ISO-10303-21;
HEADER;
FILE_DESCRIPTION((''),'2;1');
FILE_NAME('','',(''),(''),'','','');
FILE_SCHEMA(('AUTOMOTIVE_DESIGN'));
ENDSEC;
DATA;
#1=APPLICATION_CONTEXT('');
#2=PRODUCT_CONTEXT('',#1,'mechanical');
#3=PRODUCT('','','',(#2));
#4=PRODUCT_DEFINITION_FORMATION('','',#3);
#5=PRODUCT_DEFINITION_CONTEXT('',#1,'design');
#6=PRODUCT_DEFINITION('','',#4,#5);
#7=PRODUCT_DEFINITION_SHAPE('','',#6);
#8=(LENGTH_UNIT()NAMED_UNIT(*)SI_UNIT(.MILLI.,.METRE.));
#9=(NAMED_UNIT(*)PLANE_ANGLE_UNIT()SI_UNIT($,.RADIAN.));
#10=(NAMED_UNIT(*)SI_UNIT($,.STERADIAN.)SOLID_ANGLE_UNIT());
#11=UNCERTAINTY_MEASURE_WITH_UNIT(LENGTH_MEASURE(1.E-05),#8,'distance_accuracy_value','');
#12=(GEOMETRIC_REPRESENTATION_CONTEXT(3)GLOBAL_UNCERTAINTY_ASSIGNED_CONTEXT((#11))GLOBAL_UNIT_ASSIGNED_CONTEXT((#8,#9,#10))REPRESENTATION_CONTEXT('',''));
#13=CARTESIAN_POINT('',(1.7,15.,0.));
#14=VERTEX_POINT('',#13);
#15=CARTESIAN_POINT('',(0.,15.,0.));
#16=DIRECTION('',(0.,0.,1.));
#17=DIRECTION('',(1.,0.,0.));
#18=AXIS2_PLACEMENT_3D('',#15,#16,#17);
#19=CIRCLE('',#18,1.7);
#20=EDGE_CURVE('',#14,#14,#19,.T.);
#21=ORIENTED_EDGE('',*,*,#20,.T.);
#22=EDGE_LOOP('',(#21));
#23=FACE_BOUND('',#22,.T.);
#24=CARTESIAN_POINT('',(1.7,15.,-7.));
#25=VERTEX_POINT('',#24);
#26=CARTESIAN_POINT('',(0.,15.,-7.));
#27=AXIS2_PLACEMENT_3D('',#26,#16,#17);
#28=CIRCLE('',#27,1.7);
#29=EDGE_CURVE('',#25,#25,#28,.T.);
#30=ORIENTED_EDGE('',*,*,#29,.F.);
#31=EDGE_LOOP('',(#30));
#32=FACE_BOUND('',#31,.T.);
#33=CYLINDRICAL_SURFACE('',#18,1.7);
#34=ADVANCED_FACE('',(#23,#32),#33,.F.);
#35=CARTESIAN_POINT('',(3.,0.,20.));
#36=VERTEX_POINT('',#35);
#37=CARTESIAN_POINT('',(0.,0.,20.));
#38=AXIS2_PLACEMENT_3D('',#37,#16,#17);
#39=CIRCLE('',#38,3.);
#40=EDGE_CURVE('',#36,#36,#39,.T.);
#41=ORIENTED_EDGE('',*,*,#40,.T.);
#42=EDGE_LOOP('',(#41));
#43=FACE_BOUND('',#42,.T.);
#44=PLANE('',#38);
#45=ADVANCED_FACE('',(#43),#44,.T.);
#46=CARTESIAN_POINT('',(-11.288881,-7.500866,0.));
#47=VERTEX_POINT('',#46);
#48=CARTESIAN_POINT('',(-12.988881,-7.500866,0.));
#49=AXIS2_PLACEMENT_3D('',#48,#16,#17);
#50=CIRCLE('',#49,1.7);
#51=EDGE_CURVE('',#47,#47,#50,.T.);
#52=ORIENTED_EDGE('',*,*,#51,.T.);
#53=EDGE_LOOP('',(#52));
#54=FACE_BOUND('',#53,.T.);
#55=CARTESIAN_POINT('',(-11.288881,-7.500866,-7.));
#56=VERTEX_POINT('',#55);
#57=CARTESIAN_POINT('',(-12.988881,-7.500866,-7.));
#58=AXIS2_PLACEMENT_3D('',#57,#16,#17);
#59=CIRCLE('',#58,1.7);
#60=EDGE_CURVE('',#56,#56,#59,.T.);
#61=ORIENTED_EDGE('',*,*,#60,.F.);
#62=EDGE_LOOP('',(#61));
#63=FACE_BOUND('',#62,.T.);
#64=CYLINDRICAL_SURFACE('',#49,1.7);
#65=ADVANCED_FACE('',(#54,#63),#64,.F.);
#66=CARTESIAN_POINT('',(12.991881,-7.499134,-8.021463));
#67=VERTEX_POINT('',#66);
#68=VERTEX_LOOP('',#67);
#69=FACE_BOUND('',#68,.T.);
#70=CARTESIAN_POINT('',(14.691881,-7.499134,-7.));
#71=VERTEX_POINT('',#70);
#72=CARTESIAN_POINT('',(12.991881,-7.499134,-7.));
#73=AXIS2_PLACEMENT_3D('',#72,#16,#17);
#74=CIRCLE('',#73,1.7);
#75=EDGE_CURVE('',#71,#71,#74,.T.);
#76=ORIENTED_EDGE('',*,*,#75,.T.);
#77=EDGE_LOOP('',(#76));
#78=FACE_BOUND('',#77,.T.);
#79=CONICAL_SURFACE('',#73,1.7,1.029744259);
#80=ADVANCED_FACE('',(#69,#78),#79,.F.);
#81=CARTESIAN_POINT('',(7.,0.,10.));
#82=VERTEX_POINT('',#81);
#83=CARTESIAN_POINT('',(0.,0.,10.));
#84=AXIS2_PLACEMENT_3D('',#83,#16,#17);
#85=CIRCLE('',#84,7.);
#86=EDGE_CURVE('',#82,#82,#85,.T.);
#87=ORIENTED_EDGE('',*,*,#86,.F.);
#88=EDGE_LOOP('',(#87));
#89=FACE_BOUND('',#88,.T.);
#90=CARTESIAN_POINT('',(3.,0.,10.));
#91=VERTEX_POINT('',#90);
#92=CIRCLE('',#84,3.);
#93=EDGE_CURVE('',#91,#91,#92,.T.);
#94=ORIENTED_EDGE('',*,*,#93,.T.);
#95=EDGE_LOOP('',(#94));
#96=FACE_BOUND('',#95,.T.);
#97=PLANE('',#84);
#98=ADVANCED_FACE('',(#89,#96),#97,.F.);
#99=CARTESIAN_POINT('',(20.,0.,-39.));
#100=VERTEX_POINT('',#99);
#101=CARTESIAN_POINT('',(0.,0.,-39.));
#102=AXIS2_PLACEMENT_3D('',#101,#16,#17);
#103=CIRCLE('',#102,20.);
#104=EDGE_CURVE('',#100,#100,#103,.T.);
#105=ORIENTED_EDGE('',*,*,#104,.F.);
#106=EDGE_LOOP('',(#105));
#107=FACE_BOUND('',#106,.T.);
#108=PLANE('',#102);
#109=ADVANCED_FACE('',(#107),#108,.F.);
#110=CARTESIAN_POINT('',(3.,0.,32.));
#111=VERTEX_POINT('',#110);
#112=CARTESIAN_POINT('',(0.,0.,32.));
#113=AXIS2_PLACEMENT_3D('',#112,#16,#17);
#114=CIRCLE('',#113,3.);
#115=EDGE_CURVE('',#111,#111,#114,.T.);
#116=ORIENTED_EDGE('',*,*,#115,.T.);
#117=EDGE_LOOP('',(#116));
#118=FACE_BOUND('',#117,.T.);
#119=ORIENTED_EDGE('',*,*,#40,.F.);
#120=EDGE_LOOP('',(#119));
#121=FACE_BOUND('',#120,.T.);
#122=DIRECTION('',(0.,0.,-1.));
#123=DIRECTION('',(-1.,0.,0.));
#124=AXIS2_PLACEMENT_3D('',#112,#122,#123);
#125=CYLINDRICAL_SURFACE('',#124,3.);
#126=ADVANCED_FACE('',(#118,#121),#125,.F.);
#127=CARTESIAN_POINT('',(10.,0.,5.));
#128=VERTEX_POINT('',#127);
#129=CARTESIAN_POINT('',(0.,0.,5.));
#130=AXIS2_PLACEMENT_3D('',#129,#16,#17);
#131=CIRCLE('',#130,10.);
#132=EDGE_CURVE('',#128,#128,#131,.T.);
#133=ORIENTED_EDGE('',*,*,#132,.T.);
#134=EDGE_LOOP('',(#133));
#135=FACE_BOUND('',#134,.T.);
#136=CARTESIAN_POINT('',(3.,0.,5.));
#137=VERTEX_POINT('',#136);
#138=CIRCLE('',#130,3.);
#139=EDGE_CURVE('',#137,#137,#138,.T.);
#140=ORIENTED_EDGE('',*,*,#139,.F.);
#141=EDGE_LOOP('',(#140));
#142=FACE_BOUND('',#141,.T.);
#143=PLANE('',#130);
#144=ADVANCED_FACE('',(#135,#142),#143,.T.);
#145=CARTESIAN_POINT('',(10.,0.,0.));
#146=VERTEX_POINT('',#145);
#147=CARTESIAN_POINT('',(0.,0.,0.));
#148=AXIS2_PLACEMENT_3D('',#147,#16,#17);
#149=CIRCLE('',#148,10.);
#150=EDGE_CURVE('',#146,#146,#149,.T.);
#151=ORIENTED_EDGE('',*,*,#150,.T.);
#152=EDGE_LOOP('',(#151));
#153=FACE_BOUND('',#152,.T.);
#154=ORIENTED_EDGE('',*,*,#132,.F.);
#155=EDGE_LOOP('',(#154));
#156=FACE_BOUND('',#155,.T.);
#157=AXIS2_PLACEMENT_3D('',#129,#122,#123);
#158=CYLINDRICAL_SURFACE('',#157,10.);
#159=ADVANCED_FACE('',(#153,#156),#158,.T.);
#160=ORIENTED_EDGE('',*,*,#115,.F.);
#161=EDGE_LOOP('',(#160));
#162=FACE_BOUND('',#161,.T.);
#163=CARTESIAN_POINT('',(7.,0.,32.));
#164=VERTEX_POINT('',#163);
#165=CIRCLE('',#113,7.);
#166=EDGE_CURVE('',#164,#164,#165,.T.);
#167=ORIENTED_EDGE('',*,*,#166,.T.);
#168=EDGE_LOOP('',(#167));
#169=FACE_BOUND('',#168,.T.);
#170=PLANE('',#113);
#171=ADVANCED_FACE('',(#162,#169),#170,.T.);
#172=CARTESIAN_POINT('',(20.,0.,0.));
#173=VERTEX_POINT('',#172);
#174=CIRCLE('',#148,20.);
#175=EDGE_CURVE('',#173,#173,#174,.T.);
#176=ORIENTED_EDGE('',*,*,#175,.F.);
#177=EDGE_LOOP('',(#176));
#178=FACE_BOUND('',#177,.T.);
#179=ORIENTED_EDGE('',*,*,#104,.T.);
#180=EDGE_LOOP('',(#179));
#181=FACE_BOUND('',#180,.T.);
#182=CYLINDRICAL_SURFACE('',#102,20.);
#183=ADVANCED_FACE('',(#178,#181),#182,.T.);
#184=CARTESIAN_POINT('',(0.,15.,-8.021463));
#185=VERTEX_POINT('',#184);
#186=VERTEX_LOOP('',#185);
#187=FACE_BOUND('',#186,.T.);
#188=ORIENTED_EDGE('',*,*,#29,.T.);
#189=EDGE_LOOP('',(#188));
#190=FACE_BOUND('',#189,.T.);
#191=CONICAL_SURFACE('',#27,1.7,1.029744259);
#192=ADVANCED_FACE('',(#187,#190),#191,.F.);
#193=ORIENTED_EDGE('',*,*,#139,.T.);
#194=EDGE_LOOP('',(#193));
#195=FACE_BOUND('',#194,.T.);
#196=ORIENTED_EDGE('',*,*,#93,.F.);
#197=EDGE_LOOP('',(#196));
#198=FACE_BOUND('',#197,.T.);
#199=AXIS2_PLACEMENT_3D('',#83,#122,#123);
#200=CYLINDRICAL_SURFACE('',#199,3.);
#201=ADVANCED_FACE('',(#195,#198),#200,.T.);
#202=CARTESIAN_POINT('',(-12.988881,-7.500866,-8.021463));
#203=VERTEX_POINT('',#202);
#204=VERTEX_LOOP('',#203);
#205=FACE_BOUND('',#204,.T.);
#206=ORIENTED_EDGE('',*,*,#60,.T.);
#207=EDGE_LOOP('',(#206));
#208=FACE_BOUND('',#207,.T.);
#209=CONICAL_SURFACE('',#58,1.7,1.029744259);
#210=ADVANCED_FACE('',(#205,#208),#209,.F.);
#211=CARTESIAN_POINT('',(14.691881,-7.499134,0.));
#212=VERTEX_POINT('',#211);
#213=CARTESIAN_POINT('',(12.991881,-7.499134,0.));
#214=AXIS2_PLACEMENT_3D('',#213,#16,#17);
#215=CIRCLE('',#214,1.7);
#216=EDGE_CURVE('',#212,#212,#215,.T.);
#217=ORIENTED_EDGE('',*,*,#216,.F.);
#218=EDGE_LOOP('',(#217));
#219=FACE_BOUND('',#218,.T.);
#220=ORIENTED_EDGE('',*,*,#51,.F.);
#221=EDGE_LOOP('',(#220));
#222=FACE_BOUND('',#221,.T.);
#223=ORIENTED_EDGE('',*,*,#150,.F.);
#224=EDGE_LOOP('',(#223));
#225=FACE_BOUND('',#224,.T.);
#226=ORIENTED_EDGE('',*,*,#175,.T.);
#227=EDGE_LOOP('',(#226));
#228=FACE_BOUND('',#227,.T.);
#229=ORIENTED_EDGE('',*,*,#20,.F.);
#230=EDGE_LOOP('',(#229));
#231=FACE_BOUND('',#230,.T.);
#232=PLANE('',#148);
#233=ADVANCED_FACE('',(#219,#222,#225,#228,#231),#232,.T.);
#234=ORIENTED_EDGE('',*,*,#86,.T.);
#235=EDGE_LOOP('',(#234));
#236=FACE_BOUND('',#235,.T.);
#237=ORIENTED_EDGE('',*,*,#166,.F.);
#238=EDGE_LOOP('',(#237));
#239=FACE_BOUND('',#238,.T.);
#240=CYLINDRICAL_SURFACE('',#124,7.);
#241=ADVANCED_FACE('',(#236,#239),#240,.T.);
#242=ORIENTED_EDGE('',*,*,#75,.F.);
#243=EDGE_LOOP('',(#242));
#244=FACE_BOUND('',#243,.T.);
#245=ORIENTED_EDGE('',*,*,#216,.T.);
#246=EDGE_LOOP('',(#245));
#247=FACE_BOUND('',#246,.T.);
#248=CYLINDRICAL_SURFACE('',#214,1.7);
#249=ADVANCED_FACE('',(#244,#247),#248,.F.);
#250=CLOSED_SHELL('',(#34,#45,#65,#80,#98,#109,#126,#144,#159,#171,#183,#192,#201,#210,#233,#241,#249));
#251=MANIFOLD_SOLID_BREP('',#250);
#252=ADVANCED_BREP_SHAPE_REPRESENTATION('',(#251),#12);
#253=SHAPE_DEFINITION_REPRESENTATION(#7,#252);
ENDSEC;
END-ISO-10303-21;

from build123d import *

# Parameters (mm, degrees)
SKETCH1_R                = 20
BOSS_EXTRUDE1_DEPTH      = 39
SKETCH2_R                = 10
BOSS_EXTRUDE2_DEPTH      = 5
SKETCH7_R                = 3
BOSS_EXTRUDE3_DEPTH      = 5
BOSS_EXTRUDE4_DEPTH      = 10
M3_CLEARANCE_HOLE2_D     = 3.4
M3_CLEARANCE_HOLE2_DEPTH = 7
M3_CLEARANCE_HOLE2_TIP   = 1.021463052
SKETCH15_R               = 7
BOSS_EXTRUDE9_DEPTH      = 22
CUT_EXTRUDE3_START       = -12
SKETCH18_R               = 3
CUT_EXTRUDE3_DEPTH       = 12


with BuildPart() as part:
    # Sketch1 → Boss-Extrude1 (new body)
    with BuildSketch(Plane.XY):
        Circle(SKETCH1_R)
    extrude(amount=-BOSS_EXTRUDE1_DEPTH)

    # Sketch2 → Boss-Extrude2 (add)
    with BuildSketch(Plane.XY):
        Circle(SKETCH2_R)
    extrude(amount=BOSS_EXTRUDE2_DEPTH)

    # Sketch7 → Boss-Extrude3 (add)
    with BuildSketch(Plane.XY.offset(5)):
        Circle(SKETCH7_R)
    extrude(amount=BOSS_EXTRUDE3_DEPTH)

    # Sketch9 → Boss-Extrude4 (add)
    with BuildSketch(Plane.XY.offset(10)):
        with BuildLine():
            Line((-2.236067977, 2), (2.236067977, 2))
            ThreePointArc((2.236067977, 2), (0, -3), (-2.236067977, 2))
        make_face()
    extrude(amount=BOSS_EXTRUDE4_DEPTH)

    # M3 Clearance Hole2
    with Locations(Plane.XY):
        with Locations((0, 15), (12.991881057, -7.499133975), (-12.988881057, -7.500866025)):
            Hole(M3_CLEARANCE_HOLE2_D / 2, depth=M3_CLEARANCE_HOLE2_DEPTH)
            with Locations((0, 0, -(M3_CLEARANCE_HOLE2_DEPTH + M3_CLEARANCE_HOLE2_TIP / 2))):  # 118° drill point
                Cone(0, M3_CLEARANCE_HOLE2_D / 2, M3_CLEARANCE_HOLE2_TIP, mode=Mode.SUBTRACT)

    # Sketch15 → Boss-Extrude9 (add)
    with BuildSketch(Plane.XY.offset(10)):
        Circle(SKETCH15_R)
        with BuildLine():
            Line((-2.236067977, 2), (2.236067977, 2))
            ThreePointArc((2.236067977, 2), (0, -3), (-2.236067977, 2))
        make_face(mode=Mode.SUBTRACT)
    extrude(amount=BOSS_EXTRUDE9_DEPTH)

    # Sketch18 → Cut-Extrude3 (cut)
    with BuildSketch(Plane.XY.offset(32).offset(CUT_EXTRUDE3_START)):
        Circle(SKETCH18_R)
    extrude(amount=CUT_EXTRUDE3_DEPTH, mode=Mode.SUBTRACT)


solid = part.part
